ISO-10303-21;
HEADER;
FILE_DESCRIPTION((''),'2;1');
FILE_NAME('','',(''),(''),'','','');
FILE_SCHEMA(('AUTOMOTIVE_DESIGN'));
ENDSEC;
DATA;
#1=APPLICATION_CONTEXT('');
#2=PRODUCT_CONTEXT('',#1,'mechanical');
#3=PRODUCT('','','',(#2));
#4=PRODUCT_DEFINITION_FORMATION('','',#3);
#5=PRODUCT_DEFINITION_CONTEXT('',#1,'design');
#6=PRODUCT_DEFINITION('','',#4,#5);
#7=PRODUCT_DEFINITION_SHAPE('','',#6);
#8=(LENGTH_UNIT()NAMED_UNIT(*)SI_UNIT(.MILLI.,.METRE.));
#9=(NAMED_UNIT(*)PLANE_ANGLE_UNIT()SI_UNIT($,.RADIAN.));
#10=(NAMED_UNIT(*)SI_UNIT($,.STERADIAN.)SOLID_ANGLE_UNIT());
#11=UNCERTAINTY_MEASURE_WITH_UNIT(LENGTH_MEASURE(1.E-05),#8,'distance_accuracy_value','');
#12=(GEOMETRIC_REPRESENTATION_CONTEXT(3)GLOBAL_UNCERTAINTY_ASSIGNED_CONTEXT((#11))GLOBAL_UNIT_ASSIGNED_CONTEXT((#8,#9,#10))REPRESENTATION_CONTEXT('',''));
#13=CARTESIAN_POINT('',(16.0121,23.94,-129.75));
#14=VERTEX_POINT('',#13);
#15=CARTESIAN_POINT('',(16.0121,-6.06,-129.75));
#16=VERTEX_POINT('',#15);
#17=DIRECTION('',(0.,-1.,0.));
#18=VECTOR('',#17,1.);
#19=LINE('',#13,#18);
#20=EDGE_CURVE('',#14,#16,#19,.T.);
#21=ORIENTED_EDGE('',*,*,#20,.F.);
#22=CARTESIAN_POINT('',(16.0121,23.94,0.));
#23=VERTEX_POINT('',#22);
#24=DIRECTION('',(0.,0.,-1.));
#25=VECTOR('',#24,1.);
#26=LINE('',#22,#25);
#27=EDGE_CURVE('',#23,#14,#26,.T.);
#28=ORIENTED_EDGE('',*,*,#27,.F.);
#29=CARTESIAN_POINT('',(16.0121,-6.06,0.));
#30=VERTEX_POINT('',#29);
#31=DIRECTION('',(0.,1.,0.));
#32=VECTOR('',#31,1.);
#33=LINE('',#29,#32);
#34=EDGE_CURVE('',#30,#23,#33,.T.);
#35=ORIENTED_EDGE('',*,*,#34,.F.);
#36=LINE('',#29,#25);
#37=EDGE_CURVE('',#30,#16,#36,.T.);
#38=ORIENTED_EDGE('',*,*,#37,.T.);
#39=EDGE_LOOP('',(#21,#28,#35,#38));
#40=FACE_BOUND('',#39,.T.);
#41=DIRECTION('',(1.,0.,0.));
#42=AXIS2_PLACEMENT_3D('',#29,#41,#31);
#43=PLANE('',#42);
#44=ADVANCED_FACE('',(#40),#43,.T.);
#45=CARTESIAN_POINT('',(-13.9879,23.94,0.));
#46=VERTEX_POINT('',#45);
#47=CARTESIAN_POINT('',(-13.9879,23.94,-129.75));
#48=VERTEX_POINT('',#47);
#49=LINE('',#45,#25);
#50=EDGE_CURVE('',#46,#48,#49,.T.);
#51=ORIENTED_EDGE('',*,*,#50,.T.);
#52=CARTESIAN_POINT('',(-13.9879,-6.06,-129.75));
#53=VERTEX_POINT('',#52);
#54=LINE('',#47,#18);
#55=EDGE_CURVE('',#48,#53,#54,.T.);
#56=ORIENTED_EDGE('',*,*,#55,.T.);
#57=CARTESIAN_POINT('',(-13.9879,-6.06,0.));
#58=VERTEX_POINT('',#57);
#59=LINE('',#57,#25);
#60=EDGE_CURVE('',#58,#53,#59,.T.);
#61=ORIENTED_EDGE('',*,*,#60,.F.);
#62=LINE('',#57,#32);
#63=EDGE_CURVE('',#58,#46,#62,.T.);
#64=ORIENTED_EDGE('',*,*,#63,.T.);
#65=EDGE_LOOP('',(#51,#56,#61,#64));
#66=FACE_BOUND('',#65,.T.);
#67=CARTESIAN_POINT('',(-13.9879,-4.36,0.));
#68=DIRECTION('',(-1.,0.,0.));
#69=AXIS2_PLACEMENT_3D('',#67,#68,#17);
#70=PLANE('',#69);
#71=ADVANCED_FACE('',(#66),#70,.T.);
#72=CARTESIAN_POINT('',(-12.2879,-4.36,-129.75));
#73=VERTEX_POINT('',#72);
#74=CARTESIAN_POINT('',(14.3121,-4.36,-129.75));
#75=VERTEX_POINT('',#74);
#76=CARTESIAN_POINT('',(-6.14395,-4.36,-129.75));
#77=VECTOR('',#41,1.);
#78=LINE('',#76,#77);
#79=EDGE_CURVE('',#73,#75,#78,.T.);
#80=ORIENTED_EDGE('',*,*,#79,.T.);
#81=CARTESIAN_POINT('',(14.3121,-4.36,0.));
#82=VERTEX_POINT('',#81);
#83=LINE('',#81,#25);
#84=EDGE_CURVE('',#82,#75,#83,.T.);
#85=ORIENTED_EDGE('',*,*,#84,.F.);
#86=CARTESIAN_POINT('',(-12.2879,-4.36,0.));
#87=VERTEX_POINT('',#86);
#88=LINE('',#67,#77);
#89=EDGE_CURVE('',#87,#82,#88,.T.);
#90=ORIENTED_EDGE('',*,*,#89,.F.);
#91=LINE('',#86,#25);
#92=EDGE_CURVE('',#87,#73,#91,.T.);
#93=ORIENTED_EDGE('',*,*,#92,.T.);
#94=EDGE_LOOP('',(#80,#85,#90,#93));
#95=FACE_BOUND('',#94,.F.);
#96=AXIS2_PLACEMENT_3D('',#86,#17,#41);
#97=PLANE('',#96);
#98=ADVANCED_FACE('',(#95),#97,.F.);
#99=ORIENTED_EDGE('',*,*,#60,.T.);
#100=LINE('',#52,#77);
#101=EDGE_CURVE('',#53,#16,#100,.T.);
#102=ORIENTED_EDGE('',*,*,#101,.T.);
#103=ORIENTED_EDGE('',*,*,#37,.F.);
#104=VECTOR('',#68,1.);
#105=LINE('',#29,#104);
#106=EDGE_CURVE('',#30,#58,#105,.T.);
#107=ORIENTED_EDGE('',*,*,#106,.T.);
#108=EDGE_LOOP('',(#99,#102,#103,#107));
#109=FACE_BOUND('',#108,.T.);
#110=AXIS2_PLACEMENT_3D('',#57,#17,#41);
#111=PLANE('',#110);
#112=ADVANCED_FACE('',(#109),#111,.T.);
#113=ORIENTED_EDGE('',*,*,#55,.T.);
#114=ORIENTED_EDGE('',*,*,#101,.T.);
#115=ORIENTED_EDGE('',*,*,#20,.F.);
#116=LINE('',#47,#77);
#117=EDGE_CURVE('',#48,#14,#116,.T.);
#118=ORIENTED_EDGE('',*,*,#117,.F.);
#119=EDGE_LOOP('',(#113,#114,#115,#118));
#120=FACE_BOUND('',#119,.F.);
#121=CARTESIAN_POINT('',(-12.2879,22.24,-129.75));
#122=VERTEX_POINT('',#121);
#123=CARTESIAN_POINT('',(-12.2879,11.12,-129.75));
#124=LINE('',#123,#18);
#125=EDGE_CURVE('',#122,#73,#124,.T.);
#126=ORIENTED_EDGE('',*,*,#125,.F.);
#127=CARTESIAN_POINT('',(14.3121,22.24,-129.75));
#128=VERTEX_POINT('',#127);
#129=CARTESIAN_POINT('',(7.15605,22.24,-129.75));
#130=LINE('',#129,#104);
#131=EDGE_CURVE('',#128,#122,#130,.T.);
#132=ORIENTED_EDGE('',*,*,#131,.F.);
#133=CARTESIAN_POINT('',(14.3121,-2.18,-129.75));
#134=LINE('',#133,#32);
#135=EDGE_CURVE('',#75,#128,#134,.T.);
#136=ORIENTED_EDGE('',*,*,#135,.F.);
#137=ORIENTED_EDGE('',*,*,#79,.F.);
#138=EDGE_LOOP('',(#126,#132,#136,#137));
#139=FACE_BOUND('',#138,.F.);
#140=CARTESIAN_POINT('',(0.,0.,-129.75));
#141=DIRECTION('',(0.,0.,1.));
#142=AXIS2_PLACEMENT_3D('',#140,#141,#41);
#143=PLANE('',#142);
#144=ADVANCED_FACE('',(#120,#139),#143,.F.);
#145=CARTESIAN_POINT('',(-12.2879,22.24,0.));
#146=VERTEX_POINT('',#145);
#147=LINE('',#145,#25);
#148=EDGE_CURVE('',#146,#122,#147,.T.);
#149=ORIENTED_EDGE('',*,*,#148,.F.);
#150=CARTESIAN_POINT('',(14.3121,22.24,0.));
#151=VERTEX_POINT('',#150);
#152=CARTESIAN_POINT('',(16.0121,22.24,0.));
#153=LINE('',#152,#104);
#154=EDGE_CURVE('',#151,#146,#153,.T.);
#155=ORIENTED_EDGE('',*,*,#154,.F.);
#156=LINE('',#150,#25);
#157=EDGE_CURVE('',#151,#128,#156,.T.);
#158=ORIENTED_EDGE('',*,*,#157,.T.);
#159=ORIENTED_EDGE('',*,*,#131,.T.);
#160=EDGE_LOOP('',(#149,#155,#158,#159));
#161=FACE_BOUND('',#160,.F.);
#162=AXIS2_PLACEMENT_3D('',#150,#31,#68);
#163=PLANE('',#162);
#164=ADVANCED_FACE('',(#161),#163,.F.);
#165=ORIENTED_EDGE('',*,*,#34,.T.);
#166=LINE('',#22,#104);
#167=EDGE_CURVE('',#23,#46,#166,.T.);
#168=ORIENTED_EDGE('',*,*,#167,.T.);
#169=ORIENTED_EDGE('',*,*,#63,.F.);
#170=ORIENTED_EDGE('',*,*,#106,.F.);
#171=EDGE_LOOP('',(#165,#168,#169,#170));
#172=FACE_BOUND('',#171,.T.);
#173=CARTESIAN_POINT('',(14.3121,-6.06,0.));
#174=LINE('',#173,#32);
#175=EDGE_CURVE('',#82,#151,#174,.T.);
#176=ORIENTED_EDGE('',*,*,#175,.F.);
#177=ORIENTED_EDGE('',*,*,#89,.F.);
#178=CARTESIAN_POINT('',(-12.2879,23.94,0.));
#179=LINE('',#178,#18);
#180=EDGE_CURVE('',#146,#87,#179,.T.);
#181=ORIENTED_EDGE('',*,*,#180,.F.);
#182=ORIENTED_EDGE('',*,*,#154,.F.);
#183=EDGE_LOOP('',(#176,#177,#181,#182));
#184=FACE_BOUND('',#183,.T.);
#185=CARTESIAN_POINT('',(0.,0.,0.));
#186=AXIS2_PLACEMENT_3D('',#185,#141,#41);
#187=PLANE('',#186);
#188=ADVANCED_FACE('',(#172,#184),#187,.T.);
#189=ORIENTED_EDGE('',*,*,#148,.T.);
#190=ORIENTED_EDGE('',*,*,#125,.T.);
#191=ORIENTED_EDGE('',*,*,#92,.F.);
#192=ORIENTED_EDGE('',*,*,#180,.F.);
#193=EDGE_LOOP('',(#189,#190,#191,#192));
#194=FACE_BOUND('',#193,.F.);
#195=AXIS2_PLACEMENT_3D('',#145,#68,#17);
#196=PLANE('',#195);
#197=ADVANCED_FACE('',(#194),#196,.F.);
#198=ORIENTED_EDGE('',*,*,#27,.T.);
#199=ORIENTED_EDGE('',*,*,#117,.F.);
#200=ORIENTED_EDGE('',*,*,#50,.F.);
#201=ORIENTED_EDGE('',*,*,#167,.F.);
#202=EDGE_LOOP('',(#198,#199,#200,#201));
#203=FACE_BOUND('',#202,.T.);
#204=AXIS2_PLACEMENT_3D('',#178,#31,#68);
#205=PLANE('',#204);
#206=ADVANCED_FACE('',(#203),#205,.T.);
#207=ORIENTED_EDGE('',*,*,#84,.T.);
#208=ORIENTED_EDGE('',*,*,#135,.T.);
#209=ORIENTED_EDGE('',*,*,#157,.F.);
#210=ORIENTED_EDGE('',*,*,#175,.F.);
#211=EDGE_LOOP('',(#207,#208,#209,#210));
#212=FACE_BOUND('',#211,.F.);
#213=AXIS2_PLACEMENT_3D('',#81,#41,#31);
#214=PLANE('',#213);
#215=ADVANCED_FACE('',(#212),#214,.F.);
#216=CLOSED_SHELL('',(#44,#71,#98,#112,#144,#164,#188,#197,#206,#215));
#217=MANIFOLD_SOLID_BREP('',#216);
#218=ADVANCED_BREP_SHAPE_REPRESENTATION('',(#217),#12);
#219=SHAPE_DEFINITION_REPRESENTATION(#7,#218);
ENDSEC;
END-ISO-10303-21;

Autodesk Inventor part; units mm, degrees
ref_plane "YZ Plane" through (0, 0, 0) normal (1, 0, 0) x (0, 1, 0)
ref_plane "XZ Plane" through (0, 0, 0) normal (0, 1, 0) x (-1, 0, 0)
ref_plane "XY Plane" through (0, 0, 0) normal (0, 0, 1) x (1, 0, 0)
sketch "Sketch1" plane through (0, 0, 0) normal (0, 0, 1) x (1, 0, 0)
  line L0 (-13.9879, -6.06) -> (16.0121, -6.06)
  line L1 (16.0121, -6.06) -> (16.0121, 23.94)
  line L2 (16.0121, 23.94) -> (-13.9879, 23.94)
  line L3 (-13.9879, 23.94) -> (-13.9879, -6.06)
  line L4 (-12.2879, 23.94) -> (-12.2879, -6.06)
  line L5 (-13.9879, -4.36) -> (16.0121, -4.36)
  line L6 (14.3121, -6.06) -> (14.3121, 23.94)
  line L7 (16.0121, 22.24) -> (-13.9879, 22.24)
  point P0 (0, 0)
  point P1 (14.3121, 22.24)
  point P2 (-12.2879, 22.24)
  point P3 (-12.2879, -4.36)
  point P4 (14.3121, -4.36)
  dimension "d1" = 30
  dimension "d3" = 1.7
  dimension "d4" = 1.7
  dimension "d5" = 1.7
  dimension "d6" = 1.7
extrude "Extrusion1" add sketch "Sketch1" against normal blind 129.75
extrude "Extrusion2" cut sketch "Sketch1" against normal blind 403 contours L4 L7 L6 L5
properties part number "Cablecanal Ranurado 30 x 30 L = 403" material "PVC-Piping"
